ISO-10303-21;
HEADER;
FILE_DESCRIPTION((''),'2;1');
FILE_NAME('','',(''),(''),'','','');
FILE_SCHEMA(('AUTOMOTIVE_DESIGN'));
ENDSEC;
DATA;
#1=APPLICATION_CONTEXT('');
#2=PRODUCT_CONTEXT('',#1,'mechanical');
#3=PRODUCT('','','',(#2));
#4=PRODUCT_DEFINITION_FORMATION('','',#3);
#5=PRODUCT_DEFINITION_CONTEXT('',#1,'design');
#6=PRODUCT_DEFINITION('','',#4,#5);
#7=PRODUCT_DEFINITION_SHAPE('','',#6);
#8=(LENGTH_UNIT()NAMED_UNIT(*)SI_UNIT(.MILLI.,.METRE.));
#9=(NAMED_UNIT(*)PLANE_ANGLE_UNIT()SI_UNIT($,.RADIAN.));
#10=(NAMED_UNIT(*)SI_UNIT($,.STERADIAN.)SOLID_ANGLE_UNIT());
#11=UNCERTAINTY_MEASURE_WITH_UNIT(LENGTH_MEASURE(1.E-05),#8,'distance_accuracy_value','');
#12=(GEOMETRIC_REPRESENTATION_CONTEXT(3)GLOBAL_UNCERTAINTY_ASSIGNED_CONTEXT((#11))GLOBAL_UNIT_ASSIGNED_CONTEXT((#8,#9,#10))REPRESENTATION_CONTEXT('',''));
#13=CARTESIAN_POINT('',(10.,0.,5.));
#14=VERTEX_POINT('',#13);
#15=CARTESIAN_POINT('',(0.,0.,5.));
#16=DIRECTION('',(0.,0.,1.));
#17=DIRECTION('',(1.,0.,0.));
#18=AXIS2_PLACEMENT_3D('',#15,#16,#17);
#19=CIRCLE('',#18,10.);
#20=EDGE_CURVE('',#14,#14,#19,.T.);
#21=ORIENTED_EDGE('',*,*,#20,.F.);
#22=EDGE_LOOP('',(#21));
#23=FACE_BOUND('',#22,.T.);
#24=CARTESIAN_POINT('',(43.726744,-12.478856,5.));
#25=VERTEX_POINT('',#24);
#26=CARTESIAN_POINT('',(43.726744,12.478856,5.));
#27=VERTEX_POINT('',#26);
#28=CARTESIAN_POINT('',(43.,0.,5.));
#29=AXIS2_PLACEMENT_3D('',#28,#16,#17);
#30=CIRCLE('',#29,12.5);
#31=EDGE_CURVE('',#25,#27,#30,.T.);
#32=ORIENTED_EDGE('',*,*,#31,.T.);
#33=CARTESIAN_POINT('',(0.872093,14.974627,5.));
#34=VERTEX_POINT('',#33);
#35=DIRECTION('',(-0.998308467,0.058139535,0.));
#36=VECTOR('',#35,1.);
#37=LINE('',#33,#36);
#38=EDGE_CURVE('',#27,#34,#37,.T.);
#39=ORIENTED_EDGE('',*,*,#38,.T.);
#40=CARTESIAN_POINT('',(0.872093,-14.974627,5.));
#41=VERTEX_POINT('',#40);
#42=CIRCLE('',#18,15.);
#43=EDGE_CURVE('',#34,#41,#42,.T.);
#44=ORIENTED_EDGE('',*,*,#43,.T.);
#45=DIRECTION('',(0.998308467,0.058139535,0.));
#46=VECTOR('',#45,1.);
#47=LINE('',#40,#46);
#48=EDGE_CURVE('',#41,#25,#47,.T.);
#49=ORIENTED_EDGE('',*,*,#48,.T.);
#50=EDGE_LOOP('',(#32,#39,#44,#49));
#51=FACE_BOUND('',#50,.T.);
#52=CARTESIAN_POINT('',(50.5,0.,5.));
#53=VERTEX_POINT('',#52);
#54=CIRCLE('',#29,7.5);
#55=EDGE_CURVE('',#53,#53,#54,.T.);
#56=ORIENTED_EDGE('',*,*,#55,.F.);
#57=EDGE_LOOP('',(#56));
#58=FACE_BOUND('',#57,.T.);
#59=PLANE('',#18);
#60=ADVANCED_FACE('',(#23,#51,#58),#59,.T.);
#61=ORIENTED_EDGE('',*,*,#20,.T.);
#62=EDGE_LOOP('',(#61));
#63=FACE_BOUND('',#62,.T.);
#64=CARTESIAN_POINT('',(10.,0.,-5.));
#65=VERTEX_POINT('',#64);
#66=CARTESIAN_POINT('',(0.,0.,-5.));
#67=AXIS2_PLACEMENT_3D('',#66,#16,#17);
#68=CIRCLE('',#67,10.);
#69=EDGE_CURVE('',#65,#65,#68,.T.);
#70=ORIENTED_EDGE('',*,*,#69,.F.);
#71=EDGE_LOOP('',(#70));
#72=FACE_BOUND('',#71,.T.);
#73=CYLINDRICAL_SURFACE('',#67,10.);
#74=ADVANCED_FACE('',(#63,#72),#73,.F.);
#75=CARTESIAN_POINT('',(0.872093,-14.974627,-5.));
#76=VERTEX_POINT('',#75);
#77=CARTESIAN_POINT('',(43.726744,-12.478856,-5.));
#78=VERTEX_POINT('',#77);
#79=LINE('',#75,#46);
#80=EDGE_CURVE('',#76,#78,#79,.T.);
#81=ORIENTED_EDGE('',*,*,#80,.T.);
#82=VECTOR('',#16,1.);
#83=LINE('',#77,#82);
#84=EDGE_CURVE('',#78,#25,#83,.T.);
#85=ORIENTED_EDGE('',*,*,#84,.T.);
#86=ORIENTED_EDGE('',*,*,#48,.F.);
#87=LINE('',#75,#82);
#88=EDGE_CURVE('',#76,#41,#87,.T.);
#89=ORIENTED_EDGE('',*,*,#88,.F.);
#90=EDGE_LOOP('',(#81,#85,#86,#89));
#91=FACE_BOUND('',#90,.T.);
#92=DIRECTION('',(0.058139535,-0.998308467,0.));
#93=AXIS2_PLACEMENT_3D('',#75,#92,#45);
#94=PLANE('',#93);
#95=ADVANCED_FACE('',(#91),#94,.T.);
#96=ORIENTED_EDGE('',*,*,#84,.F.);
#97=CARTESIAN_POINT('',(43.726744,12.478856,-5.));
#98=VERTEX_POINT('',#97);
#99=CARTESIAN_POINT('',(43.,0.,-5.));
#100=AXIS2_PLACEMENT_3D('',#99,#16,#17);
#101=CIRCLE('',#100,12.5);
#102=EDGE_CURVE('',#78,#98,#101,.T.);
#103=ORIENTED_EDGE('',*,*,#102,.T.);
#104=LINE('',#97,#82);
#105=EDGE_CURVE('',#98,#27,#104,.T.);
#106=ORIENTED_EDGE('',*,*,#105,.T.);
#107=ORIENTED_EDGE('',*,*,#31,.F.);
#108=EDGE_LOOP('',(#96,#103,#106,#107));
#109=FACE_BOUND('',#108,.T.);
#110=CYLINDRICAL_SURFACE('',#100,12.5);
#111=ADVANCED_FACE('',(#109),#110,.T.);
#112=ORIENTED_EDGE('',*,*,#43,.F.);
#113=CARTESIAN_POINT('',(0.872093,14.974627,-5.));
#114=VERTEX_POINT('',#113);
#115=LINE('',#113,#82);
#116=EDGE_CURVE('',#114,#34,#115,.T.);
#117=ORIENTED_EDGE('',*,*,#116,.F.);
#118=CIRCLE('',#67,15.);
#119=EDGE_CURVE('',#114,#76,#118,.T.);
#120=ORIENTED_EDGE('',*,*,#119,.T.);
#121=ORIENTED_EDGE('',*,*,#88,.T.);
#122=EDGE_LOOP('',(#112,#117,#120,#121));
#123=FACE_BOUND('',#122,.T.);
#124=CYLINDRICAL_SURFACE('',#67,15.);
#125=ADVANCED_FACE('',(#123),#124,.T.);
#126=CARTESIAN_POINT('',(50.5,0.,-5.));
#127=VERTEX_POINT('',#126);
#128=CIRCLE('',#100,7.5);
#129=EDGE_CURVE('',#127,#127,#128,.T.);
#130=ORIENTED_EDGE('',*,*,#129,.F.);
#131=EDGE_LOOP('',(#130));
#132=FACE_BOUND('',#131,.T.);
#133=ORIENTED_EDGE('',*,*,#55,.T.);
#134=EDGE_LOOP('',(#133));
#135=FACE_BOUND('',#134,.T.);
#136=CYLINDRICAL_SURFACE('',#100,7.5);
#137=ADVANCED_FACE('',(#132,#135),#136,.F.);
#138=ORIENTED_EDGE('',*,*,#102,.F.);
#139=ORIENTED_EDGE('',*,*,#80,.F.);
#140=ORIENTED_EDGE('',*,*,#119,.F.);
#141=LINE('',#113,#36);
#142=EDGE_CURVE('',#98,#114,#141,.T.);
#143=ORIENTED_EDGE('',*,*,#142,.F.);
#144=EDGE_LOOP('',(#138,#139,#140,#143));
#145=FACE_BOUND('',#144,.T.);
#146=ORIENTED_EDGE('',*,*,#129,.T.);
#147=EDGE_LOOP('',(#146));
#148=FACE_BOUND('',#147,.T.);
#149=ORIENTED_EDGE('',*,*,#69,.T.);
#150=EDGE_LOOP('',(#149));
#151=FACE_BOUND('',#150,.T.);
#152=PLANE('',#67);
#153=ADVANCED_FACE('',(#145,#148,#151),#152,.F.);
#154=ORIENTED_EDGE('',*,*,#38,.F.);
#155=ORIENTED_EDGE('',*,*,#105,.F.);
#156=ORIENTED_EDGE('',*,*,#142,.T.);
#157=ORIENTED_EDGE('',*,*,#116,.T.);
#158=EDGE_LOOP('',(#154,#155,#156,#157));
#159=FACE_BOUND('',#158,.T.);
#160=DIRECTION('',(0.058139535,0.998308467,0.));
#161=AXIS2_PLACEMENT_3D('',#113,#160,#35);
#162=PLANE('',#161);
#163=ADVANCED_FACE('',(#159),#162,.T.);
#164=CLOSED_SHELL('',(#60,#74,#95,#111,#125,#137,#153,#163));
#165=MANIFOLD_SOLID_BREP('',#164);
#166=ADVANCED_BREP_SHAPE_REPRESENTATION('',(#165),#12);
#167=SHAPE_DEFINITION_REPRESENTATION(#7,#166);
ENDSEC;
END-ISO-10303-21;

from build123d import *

# Parameters (mm, degrees)
BOSS_EXTRUDE1_DEPTH      = 5
BOSS_EXTRUDE1_DEPTH_BACK = 5
SKETCH1_R                = 10
SKETCH1_R_2              = 7.5


with BuildPart() as part:
    # Sketch1 → Boss-Extrude1 (new, two sides: drawn at the far end of the back side and taken through both)
    with BuildSketch(Plane.XY.offset(-BOSS_EXTRUDE1_DEPTH_BACK)):
        with BuildLine():
            Line((0.872093023, 14.974626999), (43.726744186, 12.478855832))
            ThreePointArc((43.726744186, 12.478855832), (55.5, 0), (43.726744186, -12.478855832))
            Line((43.726744186, -12.478855832), (0.872093023, -14.974626999))
            ThreePointArc((0.872093023, -14.974626999), (-15, 0), (0.872093023, 14.974626999))
        make_face()
        Circle(SKETCH1_R, mode=Mode.SUBTRACT)
        with Locations((43, 0)):
            Circle(SKETCH1_R_2, mode=Mode.SUBTRACT)
    extrude(amount=BOSS_EXTRUDE1_DEPTH + BOSS_EXTRUDE1_DEPTH_BACK)


solid = part.part
